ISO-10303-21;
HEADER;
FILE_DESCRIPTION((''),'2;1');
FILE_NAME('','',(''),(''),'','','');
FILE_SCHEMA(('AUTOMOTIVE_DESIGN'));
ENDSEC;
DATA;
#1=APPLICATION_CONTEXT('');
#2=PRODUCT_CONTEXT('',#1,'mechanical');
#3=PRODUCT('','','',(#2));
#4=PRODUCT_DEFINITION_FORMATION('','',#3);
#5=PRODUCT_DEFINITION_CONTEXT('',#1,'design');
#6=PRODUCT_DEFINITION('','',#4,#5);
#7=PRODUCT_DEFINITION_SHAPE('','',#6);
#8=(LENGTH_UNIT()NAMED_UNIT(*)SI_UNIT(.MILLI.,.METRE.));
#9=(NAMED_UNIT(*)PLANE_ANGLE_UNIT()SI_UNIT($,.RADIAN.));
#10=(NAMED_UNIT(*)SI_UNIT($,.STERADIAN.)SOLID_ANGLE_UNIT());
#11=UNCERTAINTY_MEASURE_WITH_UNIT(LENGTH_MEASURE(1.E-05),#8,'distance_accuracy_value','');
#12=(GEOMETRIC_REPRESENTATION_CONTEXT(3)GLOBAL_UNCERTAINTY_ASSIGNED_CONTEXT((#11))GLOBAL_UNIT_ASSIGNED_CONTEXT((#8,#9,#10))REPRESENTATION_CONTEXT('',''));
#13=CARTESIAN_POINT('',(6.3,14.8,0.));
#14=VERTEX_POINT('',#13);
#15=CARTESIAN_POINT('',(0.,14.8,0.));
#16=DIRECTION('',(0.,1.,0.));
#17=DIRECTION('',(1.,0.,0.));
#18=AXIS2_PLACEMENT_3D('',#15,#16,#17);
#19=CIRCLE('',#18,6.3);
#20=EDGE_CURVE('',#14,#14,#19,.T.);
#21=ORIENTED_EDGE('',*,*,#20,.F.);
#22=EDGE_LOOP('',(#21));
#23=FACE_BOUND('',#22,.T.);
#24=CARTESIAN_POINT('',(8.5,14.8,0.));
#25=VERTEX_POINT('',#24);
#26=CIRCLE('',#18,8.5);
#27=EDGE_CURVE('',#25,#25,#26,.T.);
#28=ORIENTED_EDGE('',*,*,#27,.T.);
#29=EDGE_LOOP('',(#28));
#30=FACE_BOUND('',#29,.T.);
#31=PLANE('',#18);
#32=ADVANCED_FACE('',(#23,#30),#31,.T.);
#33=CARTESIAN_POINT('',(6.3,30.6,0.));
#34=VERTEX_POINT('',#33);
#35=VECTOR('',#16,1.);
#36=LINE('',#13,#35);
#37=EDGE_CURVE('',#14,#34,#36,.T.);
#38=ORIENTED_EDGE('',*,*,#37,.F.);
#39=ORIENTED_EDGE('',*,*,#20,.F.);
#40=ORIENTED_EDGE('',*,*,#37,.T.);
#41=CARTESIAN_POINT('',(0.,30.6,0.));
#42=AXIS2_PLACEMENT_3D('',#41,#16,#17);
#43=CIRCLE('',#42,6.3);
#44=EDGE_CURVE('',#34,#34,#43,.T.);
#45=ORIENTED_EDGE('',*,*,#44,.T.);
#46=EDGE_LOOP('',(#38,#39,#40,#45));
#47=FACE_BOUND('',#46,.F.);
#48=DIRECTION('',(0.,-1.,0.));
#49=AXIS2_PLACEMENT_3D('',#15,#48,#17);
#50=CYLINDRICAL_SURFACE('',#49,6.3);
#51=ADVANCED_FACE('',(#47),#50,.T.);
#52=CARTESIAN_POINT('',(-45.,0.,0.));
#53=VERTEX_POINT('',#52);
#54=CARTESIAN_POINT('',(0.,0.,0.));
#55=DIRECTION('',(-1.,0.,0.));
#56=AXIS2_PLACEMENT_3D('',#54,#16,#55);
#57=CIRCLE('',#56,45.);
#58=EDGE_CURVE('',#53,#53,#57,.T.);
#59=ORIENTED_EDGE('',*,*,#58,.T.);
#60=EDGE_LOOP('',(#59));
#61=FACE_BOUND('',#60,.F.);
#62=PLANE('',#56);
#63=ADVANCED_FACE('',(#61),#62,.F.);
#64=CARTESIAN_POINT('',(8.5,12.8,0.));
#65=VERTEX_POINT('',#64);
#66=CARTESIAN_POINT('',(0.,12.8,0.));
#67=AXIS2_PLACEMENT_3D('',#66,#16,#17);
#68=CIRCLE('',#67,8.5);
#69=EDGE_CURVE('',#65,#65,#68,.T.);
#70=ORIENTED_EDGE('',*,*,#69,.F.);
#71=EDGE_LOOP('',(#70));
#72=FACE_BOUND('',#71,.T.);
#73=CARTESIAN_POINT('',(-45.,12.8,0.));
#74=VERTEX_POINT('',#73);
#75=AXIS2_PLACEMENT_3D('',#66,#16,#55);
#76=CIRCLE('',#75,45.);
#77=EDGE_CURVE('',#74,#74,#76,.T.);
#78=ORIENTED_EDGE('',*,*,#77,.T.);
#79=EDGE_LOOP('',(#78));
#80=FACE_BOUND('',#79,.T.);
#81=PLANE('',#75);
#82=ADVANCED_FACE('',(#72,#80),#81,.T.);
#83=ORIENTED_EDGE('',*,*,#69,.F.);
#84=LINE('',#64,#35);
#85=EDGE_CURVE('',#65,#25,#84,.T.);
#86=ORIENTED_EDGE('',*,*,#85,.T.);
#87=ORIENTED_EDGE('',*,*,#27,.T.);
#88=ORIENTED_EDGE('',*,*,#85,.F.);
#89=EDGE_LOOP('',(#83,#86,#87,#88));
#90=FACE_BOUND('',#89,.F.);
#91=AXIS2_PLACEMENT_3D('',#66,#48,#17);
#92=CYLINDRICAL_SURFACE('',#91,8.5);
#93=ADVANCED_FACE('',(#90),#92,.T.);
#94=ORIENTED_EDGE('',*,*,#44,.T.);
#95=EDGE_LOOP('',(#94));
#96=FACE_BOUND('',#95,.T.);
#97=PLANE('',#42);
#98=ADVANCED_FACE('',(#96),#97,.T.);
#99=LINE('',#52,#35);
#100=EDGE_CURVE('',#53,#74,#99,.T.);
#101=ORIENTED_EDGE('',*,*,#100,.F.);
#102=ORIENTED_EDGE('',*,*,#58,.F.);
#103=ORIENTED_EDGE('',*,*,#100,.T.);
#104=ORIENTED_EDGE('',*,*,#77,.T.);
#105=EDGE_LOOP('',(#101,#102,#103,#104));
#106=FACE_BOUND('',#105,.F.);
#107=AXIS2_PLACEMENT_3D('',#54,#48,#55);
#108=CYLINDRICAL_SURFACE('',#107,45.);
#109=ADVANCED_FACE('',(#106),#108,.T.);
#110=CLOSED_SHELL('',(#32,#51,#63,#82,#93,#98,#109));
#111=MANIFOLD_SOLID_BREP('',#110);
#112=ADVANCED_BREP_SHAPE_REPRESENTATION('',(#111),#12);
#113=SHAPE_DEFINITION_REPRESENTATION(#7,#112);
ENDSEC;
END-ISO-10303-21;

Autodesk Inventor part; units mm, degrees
ref_plane "YZ Plane" through (0, 0, 0) normal (1, 0, 0) x (0, 1, 0)
ref_plane "XZ Plane" through (0, 0, 0) normal (0, 1, 0) x (-1, 0, 0)
ref_plane "XY Plane" through (0, 0, 0) normal (0, 0, 1) x (1, 0, 0)
sketch "Sketch1" plane through (0, 0, 0) normal (0, 1, 0) x (-1, 0, 0)
  circle A0 centre (0, 0) radius 45
  dimension "d0" = 90
extrude "Extrusion1" add sketch "Sketch1" along normal blind 12.8
sketch "Sketch2" plane through (0, 12.8, 0) normal (0, 1, 0) x (1, 0, 0)
  circle A0 centre (0, 0) radius 8.5
  dimension "d3" = 17
extrude "Extrusion2" add sketch "Sketch2" along normal blind 2
sketch "Sketch3" plane through (0, 14.8, 0) normal (0, 1, 0) x (1, 0, 0)
  circle A0 centre (0, 0) radius 6.3
  dimension "d6" = 12.6
extrude "Extrusion3" add sketch "Sketch3" along normal blind 15.8
properties part number "DrivenGear"
